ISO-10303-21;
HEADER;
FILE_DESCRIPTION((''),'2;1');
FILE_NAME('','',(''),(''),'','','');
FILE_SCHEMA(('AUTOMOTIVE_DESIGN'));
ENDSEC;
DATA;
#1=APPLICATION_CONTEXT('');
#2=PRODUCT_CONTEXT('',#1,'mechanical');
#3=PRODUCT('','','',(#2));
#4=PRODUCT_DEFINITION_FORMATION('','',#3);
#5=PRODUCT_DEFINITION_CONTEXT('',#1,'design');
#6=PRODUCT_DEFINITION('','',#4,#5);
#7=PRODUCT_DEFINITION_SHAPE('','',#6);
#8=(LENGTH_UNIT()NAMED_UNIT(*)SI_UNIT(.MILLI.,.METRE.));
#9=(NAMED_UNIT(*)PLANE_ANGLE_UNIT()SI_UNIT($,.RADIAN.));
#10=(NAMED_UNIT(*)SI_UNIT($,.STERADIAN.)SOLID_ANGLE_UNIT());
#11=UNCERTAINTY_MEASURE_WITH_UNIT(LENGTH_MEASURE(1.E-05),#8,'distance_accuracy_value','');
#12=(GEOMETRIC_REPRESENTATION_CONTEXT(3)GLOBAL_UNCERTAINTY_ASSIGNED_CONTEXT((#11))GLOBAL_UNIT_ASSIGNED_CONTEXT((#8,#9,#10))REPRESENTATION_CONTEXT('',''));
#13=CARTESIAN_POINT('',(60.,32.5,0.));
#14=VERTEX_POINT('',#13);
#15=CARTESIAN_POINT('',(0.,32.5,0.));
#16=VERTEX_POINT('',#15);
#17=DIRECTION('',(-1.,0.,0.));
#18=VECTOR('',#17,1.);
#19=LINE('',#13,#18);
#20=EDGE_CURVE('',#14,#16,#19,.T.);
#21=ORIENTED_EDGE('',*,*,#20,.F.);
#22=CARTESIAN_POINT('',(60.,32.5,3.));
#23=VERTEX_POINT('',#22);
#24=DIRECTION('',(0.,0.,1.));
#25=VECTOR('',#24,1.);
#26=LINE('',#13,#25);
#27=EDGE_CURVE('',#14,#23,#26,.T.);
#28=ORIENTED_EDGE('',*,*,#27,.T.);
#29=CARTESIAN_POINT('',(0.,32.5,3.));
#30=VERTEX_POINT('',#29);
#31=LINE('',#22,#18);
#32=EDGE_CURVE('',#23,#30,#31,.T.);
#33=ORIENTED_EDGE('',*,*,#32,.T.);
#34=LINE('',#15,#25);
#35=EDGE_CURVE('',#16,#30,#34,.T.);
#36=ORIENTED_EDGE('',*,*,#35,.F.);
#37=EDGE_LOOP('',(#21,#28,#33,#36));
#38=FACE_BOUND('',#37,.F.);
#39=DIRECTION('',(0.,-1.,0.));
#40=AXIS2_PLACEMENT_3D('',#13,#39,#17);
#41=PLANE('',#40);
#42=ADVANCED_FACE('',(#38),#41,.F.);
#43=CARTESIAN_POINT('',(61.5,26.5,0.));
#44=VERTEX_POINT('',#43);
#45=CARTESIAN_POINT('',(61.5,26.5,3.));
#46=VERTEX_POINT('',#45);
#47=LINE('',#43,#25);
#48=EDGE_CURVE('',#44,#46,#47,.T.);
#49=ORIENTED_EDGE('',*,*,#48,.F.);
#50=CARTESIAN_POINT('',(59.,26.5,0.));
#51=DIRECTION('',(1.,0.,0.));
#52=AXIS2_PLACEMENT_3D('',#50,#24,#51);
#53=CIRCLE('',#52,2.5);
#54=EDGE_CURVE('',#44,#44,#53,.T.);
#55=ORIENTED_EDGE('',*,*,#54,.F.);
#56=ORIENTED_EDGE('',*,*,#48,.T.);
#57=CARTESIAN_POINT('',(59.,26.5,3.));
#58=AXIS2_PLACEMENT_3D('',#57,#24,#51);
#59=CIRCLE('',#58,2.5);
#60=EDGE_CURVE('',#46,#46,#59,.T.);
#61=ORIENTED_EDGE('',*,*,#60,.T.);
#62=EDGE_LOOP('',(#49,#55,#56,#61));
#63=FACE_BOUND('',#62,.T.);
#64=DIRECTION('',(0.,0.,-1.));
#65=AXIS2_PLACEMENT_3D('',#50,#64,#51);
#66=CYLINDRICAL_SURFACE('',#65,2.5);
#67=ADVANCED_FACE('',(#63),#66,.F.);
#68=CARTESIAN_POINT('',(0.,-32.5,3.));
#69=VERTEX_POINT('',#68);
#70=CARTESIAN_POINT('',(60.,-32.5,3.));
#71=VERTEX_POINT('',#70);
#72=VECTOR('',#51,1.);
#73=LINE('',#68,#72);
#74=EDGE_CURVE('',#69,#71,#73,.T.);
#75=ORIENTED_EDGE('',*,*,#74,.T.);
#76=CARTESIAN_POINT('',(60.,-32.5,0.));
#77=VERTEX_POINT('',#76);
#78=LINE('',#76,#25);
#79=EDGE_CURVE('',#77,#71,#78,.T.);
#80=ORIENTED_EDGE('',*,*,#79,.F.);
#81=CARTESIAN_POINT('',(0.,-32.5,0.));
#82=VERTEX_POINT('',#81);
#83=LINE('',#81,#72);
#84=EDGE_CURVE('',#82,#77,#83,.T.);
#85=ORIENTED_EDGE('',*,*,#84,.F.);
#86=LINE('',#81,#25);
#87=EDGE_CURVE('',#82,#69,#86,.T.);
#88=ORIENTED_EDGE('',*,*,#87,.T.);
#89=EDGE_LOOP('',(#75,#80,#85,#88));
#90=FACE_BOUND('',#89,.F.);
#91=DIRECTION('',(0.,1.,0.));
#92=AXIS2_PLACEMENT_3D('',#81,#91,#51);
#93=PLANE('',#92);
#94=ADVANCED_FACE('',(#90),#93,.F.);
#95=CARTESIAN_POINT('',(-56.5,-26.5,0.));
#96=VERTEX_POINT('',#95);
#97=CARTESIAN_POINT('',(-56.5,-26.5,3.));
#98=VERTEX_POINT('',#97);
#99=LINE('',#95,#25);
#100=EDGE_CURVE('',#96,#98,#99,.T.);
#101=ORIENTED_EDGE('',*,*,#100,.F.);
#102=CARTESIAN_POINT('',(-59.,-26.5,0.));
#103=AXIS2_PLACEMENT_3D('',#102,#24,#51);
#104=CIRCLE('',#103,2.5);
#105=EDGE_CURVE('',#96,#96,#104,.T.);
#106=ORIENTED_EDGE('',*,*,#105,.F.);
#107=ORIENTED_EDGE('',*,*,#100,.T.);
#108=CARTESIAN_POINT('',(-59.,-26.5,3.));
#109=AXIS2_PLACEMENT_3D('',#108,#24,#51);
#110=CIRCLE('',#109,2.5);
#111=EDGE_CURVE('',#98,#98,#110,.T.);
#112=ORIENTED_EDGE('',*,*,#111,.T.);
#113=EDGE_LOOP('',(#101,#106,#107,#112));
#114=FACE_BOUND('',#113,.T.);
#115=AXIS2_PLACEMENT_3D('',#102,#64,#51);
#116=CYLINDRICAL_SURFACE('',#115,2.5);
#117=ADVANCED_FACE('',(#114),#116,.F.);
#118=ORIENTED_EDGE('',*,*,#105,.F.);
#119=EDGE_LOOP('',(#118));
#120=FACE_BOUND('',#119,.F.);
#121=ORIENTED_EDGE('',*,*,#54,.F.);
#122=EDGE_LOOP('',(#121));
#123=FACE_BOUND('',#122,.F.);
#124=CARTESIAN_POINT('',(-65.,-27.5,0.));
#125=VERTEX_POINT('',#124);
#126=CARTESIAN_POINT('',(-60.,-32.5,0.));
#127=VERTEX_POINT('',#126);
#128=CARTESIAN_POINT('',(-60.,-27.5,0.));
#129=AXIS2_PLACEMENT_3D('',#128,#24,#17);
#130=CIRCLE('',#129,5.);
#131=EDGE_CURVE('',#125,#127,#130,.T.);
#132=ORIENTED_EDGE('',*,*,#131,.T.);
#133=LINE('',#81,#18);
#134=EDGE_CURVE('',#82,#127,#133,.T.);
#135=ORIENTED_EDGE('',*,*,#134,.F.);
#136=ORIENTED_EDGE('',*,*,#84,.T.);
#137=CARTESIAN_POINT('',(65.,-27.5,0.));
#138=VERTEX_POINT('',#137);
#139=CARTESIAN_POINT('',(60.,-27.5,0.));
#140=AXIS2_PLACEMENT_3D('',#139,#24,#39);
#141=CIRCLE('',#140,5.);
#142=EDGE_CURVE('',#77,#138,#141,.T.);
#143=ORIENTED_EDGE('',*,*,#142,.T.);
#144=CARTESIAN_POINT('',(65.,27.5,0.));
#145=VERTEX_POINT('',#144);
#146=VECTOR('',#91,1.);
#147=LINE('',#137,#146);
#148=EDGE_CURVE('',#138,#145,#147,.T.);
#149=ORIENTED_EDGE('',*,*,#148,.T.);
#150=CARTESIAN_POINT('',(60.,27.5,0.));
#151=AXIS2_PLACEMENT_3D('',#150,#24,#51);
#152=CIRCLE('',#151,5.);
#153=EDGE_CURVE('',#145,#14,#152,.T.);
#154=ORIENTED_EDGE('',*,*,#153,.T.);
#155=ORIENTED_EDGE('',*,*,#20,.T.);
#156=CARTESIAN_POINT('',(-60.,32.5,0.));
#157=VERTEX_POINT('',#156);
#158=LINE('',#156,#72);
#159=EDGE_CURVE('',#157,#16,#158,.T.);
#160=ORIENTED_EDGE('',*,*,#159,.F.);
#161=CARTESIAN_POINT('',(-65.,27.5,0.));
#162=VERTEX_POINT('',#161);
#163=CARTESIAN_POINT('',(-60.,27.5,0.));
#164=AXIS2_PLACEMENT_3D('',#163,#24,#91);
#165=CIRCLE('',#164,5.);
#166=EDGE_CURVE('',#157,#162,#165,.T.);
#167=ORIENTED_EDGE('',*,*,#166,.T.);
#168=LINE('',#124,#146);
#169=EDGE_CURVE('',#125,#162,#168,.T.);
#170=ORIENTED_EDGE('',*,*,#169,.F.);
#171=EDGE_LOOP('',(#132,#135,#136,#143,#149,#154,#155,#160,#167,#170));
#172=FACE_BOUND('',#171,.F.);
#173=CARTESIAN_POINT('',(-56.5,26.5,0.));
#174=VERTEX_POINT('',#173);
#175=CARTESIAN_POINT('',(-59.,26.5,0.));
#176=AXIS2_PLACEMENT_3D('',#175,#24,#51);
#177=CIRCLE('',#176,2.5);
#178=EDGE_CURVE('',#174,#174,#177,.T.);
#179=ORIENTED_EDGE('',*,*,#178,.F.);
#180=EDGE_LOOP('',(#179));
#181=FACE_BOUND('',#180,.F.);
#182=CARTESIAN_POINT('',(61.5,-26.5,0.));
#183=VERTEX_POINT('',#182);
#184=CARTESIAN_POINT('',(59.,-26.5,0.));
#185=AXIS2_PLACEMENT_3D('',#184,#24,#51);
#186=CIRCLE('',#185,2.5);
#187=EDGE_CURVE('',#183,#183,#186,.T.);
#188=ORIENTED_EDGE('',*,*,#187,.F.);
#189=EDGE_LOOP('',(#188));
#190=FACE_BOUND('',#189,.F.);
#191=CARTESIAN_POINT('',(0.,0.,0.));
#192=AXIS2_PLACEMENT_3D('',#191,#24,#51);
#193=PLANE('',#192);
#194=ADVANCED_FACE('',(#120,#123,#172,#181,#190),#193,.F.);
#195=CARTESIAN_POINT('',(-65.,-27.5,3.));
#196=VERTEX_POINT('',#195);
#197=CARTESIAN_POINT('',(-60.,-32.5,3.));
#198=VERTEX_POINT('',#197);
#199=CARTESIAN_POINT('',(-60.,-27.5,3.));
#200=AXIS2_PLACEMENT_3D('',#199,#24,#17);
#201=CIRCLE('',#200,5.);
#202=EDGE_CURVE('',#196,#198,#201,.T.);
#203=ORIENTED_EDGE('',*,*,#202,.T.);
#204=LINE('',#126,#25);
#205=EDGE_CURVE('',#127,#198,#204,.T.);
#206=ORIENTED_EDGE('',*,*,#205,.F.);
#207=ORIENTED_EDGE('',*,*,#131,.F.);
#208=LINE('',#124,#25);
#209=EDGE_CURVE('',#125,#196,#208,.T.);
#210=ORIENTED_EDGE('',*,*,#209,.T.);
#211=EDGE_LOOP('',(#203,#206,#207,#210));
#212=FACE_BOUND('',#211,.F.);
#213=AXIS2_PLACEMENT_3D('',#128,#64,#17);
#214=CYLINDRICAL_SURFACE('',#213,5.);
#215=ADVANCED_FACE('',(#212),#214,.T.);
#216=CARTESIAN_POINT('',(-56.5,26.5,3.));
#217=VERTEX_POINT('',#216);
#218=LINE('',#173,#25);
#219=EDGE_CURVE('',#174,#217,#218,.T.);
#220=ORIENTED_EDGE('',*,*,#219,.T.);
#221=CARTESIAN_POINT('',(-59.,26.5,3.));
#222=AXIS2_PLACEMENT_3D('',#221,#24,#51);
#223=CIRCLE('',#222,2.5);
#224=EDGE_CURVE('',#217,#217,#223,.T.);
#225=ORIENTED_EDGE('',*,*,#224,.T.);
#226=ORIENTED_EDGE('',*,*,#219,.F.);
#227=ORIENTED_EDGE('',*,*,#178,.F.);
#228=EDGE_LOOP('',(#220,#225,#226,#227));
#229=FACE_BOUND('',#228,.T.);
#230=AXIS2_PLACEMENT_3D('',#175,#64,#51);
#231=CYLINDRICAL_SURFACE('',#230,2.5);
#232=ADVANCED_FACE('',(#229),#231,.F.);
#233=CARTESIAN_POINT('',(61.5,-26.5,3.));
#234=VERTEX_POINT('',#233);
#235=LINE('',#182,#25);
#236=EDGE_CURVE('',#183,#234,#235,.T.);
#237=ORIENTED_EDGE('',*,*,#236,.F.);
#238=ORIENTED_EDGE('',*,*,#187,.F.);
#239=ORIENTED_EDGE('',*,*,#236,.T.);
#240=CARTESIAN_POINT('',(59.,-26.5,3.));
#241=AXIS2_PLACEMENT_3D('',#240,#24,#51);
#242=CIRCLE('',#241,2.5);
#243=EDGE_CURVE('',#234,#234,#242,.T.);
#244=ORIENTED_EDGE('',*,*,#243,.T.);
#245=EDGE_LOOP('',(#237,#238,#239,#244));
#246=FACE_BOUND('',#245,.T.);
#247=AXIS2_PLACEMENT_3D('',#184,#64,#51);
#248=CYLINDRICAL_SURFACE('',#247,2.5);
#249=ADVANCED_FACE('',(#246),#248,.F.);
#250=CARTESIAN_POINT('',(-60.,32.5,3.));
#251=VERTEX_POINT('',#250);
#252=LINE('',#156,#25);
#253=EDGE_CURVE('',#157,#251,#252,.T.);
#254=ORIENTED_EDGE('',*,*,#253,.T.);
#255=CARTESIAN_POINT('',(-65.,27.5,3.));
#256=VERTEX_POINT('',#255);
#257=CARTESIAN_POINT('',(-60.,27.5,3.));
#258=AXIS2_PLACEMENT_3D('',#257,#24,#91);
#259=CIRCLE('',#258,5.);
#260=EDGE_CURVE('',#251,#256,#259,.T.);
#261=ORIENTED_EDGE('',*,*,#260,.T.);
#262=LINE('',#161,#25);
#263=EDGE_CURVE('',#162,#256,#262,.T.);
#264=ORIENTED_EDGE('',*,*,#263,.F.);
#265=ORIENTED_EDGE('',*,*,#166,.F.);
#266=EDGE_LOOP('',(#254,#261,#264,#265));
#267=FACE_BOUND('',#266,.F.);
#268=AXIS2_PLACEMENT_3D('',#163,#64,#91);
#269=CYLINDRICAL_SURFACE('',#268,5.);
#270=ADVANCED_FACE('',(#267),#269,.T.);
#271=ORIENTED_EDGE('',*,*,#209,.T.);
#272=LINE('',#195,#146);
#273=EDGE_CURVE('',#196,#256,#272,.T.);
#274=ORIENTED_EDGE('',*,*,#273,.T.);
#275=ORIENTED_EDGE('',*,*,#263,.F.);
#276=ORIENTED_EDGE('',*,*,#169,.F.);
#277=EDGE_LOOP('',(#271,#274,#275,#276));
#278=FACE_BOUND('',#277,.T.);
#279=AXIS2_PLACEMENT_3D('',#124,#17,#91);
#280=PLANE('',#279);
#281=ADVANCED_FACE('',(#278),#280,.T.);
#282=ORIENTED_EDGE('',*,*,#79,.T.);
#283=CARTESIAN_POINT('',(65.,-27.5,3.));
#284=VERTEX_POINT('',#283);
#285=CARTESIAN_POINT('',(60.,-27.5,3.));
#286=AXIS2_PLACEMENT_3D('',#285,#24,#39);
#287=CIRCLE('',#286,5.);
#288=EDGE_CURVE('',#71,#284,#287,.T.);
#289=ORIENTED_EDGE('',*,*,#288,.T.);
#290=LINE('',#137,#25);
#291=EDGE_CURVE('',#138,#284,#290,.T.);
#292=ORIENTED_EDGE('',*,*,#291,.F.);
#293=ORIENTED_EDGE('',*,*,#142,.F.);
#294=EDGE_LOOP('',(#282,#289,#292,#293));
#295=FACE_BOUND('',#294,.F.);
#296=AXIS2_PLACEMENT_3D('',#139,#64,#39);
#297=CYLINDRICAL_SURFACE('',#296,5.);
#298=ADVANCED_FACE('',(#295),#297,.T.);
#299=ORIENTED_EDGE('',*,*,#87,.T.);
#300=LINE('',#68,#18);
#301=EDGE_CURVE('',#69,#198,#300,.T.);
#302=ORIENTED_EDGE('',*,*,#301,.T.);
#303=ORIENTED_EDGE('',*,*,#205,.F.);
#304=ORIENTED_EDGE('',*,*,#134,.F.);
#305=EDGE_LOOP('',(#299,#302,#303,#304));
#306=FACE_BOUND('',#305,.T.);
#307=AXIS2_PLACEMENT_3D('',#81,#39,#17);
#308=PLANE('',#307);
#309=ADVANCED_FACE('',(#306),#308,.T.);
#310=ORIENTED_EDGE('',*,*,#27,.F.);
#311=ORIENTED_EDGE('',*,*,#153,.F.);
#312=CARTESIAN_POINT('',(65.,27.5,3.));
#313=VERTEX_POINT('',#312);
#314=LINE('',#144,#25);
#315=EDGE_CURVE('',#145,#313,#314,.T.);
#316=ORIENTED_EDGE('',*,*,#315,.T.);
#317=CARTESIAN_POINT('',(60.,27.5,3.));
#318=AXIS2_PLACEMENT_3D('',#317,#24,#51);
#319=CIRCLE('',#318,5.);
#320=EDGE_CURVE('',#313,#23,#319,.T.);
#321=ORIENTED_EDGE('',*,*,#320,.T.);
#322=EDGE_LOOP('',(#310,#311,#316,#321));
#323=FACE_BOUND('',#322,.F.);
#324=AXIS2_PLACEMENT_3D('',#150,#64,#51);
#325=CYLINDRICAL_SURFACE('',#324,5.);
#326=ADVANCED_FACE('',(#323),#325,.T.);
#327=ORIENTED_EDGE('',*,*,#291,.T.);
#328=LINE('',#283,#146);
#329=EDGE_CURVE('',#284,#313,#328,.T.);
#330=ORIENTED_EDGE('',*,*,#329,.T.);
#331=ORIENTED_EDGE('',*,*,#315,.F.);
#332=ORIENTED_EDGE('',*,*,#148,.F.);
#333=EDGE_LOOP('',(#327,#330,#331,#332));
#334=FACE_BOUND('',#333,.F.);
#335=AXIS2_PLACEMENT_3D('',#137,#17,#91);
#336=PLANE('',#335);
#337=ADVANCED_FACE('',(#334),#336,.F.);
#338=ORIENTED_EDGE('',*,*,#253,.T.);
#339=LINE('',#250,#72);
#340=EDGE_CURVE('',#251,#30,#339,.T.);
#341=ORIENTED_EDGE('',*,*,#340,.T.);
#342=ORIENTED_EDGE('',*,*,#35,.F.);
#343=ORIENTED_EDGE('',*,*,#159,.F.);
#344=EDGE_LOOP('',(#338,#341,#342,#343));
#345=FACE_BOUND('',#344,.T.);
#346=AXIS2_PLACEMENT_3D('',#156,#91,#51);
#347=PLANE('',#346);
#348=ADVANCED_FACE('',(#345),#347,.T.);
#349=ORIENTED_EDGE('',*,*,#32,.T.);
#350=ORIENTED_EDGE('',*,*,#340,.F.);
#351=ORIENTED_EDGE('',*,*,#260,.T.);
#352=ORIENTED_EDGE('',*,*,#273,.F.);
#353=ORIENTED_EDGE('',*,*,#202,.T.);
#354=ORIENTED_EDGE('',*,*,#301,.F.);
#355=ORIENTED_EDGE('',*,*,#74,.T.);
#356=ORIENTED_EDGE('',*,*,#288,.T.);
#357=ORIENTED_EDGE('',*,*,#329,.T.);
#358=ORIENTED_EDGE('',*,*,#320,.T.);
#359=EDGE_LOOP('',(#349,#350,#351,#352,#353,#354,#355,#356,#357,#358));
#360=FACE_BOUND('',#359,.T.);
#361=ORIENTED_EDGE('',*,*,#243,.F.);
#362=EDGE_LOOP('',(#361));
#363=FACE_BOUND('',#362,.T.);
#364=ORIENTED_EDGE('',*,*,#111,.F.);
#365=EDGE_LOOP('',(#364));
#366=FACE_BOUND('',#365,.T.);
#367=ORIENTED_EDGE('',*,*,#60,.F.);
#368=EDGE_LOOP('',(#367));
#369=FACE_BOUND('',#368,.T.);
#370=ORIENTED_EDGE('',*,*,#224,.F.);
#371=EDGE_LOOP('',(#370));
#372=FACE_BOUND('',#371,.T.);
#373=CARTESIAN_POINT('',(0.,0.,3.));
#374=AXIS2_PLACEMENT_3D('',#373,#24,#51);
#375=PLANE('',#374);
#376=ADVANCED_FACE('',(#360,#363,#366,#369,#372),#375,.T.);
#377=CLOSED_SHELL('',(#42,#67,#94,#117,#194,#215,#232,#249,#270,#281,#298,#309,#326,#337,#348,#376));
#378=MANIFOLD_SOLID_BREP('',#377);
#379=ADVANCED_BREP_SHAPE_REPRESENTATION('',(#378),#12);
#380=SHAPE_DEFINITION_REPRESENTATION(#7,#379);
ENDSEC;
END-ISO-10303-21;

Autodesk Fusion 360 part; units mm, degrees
sketch "Sketch1" plane through (0, 0, 0) normal (0, 0, 1) x (1, 0, 0)
  line L0 (-60, 32.5) -> (0, 32.5)
  line L1 (0, -32.5) -> (-60, -32.5)
  line L2 (-65, -27.5) -> (-65, 27.5)
  arc A0 (-60, 32.5) -> (-65, 27.5) centre (-60, 27.5) ccw
  arc A1 (-65, -27.5) -> (-60, -32.5) centre (-60, -27.5) ccw
  circle A2 centre (-59, 26.5) radius 2.5
  circle A3 centre (-59, -26.5) radius 2.5
  line L3 (0, 32.5) -> (0, -32.5) construction
  line L4 (65, -27.5) -> (65, 27.5)
  circle A4 centre (59, 26.5) radius 2.5
  arc A5 (60, -32.5) -> (65, -27.5) centre (60, -27.5) ccw
  circle A6 centre (59, -26.5) radius 2.5
  arc A7 (65, 27.5) -> (60, 32.5) centre (60, 27.5) ccw
  line L5 (0, -32.5) -> (60, -32.5)
  line L6 (60, 32.5) -> (0, 32.5)
  dimension "d1" = 65
  dimension "d3" = 32.5
  dimension "d4" = 32.5
  dimension "d5" = 5
  dimension "d6" = 5
  dimension "d9" = 5
  dimension "d10" = 6
  dimension "d11" = 6
  dimension "d12" = 5
  dimension "d13" = 6
  dimension "d14" = 6
  dimension "d35" = 65
  dimension "d36" = 65
extrude "Extrude4" add sketch "Sketch1" along normal blind 3
equation "d3 = ( 65 / 2 ) * 1 mm"
equation "d4 = d3"
equation "d6 = d5"
equation "d11 = d10"
equation "d12 = d9"
equation "d13 = d10"
equation "d14 = d10"
equation "d35 = d1"
equation "d36 = d1"
